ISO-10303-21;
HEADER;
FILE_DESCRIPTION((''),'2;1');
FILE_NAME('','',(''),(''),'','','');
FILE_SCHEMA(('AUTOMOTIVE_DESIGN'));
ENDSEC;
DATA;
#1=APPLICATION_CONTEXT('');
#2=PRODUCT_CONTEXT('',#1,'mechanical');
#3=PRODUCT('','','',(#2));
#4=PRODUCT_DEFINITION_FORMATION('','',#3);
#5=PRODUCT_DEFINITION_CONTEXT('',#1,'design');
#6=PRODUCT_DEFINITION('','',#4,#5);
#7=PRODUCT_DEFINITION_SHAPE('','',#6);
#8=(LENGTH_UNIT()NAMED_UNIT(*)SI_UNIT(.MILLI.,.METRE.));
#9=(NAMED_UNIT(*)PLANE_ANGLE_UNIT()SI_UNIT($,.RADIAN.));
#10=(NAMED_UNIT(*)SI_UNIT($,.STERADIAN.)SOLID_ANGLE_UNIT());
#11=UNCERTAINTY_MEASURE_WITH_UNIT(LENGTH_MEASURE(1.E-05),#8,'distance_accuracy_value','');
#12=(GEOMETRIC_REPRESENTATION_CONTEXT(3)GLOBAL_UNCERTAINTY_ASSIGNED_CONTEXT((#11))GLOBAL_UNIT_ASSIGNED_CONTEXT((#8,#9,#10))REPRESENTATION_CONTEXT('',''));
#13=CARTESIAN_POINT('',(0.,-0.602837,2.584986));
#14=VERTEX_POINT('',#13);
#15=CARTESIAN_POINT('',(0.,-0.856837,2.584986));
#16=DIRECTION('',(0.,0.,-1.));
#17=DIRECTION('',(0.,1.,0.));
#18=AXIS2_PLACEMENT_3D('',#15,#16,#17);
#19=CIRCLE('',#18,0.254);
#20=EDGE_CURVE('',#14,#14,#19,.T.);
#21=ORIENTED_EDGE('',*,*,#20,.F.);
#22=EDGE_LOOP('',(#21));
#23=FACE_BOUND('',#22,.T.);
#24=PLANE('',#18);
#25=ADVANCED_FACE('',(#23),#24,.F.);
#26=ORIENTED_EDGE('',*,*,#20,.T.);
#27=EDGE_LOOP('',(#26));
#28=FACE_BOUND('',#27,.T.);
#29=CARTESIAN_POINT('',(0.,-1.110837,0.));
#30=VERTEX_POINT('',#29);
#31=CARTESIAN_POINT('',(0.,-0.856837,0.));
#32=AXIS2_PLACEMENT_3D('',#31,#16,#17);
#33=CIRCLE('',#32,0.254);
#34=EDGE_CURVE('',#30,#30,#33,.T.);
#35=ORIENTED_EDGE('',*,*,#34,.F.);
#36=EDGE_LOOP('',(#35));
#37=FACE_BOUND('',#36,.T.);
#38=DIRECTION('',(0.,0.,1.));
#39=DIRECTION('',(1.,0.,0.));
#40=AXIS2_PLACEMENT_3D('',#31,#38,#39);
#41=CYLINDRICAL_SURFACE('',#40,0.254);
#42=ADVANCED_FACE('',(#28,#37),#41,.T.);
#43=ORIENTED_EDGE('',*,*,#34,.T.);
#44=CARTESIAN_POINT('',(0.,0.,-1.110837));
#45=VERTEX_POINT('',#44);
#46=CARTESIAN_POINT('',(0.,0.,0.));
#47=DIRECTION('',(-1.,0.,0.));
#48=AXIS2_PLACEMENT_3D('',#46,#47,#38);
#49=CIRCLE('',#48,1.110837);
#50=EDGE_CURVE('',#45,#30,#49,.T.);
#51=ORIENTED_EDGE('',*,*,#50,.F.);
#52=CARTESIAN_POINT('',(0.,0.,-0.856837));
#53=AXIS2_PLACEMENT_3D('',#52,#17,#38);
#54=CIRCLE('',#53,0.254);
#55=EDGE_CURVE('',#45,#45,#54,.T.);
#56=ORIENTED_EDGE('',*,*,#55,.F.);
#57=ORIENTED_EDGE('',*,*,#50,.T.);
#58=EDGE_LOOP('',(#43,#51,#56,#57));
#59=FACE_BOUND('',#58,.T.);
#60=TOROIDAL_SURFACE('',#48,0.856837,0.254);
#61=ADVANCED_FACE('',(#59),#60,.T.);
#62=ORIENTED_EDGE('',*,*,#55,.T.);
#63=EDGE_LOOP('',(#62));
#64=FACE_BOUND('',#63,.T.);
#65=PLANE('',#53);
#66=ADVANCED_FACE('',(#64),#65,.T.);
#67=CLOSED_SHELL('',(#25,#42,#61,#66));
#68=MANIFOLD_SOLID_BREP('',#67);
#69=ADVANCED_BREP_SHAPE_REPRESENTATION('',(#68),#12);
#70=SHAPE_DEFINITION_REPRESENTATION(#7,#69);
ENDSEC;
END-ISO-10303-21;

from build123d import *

# Parameters (mm, degrees)
SKETCH2_R = 0.254


with BuildPart() as part:
    # Sweep1: sweep along a path in Sketch1
    with BuildLine(Plane(origin=(0, 0, 0), x_dir=(0, 0, -1), z_dir=(1, 0, 0))) as sweep1_path:
        Line((-2.584985657, -0.856837323), (0, -0.856837323))
        ThreePointArc((0, -0.856837323), (0.605875482, -0.605875482), (0.856837323, 0))
    # Sketch2 → Sweep1 (sweep)
    with BuildSketch(Plane(origin=(0, 0, 0), x_dir=(1, 0, 0), z_dir=(0, 1, 0))):
        with Locations((0, 0.856837323)):
            Circle(SKETCH2_R)
    sweep(path=sweep1_path.line)


solid = part.part
